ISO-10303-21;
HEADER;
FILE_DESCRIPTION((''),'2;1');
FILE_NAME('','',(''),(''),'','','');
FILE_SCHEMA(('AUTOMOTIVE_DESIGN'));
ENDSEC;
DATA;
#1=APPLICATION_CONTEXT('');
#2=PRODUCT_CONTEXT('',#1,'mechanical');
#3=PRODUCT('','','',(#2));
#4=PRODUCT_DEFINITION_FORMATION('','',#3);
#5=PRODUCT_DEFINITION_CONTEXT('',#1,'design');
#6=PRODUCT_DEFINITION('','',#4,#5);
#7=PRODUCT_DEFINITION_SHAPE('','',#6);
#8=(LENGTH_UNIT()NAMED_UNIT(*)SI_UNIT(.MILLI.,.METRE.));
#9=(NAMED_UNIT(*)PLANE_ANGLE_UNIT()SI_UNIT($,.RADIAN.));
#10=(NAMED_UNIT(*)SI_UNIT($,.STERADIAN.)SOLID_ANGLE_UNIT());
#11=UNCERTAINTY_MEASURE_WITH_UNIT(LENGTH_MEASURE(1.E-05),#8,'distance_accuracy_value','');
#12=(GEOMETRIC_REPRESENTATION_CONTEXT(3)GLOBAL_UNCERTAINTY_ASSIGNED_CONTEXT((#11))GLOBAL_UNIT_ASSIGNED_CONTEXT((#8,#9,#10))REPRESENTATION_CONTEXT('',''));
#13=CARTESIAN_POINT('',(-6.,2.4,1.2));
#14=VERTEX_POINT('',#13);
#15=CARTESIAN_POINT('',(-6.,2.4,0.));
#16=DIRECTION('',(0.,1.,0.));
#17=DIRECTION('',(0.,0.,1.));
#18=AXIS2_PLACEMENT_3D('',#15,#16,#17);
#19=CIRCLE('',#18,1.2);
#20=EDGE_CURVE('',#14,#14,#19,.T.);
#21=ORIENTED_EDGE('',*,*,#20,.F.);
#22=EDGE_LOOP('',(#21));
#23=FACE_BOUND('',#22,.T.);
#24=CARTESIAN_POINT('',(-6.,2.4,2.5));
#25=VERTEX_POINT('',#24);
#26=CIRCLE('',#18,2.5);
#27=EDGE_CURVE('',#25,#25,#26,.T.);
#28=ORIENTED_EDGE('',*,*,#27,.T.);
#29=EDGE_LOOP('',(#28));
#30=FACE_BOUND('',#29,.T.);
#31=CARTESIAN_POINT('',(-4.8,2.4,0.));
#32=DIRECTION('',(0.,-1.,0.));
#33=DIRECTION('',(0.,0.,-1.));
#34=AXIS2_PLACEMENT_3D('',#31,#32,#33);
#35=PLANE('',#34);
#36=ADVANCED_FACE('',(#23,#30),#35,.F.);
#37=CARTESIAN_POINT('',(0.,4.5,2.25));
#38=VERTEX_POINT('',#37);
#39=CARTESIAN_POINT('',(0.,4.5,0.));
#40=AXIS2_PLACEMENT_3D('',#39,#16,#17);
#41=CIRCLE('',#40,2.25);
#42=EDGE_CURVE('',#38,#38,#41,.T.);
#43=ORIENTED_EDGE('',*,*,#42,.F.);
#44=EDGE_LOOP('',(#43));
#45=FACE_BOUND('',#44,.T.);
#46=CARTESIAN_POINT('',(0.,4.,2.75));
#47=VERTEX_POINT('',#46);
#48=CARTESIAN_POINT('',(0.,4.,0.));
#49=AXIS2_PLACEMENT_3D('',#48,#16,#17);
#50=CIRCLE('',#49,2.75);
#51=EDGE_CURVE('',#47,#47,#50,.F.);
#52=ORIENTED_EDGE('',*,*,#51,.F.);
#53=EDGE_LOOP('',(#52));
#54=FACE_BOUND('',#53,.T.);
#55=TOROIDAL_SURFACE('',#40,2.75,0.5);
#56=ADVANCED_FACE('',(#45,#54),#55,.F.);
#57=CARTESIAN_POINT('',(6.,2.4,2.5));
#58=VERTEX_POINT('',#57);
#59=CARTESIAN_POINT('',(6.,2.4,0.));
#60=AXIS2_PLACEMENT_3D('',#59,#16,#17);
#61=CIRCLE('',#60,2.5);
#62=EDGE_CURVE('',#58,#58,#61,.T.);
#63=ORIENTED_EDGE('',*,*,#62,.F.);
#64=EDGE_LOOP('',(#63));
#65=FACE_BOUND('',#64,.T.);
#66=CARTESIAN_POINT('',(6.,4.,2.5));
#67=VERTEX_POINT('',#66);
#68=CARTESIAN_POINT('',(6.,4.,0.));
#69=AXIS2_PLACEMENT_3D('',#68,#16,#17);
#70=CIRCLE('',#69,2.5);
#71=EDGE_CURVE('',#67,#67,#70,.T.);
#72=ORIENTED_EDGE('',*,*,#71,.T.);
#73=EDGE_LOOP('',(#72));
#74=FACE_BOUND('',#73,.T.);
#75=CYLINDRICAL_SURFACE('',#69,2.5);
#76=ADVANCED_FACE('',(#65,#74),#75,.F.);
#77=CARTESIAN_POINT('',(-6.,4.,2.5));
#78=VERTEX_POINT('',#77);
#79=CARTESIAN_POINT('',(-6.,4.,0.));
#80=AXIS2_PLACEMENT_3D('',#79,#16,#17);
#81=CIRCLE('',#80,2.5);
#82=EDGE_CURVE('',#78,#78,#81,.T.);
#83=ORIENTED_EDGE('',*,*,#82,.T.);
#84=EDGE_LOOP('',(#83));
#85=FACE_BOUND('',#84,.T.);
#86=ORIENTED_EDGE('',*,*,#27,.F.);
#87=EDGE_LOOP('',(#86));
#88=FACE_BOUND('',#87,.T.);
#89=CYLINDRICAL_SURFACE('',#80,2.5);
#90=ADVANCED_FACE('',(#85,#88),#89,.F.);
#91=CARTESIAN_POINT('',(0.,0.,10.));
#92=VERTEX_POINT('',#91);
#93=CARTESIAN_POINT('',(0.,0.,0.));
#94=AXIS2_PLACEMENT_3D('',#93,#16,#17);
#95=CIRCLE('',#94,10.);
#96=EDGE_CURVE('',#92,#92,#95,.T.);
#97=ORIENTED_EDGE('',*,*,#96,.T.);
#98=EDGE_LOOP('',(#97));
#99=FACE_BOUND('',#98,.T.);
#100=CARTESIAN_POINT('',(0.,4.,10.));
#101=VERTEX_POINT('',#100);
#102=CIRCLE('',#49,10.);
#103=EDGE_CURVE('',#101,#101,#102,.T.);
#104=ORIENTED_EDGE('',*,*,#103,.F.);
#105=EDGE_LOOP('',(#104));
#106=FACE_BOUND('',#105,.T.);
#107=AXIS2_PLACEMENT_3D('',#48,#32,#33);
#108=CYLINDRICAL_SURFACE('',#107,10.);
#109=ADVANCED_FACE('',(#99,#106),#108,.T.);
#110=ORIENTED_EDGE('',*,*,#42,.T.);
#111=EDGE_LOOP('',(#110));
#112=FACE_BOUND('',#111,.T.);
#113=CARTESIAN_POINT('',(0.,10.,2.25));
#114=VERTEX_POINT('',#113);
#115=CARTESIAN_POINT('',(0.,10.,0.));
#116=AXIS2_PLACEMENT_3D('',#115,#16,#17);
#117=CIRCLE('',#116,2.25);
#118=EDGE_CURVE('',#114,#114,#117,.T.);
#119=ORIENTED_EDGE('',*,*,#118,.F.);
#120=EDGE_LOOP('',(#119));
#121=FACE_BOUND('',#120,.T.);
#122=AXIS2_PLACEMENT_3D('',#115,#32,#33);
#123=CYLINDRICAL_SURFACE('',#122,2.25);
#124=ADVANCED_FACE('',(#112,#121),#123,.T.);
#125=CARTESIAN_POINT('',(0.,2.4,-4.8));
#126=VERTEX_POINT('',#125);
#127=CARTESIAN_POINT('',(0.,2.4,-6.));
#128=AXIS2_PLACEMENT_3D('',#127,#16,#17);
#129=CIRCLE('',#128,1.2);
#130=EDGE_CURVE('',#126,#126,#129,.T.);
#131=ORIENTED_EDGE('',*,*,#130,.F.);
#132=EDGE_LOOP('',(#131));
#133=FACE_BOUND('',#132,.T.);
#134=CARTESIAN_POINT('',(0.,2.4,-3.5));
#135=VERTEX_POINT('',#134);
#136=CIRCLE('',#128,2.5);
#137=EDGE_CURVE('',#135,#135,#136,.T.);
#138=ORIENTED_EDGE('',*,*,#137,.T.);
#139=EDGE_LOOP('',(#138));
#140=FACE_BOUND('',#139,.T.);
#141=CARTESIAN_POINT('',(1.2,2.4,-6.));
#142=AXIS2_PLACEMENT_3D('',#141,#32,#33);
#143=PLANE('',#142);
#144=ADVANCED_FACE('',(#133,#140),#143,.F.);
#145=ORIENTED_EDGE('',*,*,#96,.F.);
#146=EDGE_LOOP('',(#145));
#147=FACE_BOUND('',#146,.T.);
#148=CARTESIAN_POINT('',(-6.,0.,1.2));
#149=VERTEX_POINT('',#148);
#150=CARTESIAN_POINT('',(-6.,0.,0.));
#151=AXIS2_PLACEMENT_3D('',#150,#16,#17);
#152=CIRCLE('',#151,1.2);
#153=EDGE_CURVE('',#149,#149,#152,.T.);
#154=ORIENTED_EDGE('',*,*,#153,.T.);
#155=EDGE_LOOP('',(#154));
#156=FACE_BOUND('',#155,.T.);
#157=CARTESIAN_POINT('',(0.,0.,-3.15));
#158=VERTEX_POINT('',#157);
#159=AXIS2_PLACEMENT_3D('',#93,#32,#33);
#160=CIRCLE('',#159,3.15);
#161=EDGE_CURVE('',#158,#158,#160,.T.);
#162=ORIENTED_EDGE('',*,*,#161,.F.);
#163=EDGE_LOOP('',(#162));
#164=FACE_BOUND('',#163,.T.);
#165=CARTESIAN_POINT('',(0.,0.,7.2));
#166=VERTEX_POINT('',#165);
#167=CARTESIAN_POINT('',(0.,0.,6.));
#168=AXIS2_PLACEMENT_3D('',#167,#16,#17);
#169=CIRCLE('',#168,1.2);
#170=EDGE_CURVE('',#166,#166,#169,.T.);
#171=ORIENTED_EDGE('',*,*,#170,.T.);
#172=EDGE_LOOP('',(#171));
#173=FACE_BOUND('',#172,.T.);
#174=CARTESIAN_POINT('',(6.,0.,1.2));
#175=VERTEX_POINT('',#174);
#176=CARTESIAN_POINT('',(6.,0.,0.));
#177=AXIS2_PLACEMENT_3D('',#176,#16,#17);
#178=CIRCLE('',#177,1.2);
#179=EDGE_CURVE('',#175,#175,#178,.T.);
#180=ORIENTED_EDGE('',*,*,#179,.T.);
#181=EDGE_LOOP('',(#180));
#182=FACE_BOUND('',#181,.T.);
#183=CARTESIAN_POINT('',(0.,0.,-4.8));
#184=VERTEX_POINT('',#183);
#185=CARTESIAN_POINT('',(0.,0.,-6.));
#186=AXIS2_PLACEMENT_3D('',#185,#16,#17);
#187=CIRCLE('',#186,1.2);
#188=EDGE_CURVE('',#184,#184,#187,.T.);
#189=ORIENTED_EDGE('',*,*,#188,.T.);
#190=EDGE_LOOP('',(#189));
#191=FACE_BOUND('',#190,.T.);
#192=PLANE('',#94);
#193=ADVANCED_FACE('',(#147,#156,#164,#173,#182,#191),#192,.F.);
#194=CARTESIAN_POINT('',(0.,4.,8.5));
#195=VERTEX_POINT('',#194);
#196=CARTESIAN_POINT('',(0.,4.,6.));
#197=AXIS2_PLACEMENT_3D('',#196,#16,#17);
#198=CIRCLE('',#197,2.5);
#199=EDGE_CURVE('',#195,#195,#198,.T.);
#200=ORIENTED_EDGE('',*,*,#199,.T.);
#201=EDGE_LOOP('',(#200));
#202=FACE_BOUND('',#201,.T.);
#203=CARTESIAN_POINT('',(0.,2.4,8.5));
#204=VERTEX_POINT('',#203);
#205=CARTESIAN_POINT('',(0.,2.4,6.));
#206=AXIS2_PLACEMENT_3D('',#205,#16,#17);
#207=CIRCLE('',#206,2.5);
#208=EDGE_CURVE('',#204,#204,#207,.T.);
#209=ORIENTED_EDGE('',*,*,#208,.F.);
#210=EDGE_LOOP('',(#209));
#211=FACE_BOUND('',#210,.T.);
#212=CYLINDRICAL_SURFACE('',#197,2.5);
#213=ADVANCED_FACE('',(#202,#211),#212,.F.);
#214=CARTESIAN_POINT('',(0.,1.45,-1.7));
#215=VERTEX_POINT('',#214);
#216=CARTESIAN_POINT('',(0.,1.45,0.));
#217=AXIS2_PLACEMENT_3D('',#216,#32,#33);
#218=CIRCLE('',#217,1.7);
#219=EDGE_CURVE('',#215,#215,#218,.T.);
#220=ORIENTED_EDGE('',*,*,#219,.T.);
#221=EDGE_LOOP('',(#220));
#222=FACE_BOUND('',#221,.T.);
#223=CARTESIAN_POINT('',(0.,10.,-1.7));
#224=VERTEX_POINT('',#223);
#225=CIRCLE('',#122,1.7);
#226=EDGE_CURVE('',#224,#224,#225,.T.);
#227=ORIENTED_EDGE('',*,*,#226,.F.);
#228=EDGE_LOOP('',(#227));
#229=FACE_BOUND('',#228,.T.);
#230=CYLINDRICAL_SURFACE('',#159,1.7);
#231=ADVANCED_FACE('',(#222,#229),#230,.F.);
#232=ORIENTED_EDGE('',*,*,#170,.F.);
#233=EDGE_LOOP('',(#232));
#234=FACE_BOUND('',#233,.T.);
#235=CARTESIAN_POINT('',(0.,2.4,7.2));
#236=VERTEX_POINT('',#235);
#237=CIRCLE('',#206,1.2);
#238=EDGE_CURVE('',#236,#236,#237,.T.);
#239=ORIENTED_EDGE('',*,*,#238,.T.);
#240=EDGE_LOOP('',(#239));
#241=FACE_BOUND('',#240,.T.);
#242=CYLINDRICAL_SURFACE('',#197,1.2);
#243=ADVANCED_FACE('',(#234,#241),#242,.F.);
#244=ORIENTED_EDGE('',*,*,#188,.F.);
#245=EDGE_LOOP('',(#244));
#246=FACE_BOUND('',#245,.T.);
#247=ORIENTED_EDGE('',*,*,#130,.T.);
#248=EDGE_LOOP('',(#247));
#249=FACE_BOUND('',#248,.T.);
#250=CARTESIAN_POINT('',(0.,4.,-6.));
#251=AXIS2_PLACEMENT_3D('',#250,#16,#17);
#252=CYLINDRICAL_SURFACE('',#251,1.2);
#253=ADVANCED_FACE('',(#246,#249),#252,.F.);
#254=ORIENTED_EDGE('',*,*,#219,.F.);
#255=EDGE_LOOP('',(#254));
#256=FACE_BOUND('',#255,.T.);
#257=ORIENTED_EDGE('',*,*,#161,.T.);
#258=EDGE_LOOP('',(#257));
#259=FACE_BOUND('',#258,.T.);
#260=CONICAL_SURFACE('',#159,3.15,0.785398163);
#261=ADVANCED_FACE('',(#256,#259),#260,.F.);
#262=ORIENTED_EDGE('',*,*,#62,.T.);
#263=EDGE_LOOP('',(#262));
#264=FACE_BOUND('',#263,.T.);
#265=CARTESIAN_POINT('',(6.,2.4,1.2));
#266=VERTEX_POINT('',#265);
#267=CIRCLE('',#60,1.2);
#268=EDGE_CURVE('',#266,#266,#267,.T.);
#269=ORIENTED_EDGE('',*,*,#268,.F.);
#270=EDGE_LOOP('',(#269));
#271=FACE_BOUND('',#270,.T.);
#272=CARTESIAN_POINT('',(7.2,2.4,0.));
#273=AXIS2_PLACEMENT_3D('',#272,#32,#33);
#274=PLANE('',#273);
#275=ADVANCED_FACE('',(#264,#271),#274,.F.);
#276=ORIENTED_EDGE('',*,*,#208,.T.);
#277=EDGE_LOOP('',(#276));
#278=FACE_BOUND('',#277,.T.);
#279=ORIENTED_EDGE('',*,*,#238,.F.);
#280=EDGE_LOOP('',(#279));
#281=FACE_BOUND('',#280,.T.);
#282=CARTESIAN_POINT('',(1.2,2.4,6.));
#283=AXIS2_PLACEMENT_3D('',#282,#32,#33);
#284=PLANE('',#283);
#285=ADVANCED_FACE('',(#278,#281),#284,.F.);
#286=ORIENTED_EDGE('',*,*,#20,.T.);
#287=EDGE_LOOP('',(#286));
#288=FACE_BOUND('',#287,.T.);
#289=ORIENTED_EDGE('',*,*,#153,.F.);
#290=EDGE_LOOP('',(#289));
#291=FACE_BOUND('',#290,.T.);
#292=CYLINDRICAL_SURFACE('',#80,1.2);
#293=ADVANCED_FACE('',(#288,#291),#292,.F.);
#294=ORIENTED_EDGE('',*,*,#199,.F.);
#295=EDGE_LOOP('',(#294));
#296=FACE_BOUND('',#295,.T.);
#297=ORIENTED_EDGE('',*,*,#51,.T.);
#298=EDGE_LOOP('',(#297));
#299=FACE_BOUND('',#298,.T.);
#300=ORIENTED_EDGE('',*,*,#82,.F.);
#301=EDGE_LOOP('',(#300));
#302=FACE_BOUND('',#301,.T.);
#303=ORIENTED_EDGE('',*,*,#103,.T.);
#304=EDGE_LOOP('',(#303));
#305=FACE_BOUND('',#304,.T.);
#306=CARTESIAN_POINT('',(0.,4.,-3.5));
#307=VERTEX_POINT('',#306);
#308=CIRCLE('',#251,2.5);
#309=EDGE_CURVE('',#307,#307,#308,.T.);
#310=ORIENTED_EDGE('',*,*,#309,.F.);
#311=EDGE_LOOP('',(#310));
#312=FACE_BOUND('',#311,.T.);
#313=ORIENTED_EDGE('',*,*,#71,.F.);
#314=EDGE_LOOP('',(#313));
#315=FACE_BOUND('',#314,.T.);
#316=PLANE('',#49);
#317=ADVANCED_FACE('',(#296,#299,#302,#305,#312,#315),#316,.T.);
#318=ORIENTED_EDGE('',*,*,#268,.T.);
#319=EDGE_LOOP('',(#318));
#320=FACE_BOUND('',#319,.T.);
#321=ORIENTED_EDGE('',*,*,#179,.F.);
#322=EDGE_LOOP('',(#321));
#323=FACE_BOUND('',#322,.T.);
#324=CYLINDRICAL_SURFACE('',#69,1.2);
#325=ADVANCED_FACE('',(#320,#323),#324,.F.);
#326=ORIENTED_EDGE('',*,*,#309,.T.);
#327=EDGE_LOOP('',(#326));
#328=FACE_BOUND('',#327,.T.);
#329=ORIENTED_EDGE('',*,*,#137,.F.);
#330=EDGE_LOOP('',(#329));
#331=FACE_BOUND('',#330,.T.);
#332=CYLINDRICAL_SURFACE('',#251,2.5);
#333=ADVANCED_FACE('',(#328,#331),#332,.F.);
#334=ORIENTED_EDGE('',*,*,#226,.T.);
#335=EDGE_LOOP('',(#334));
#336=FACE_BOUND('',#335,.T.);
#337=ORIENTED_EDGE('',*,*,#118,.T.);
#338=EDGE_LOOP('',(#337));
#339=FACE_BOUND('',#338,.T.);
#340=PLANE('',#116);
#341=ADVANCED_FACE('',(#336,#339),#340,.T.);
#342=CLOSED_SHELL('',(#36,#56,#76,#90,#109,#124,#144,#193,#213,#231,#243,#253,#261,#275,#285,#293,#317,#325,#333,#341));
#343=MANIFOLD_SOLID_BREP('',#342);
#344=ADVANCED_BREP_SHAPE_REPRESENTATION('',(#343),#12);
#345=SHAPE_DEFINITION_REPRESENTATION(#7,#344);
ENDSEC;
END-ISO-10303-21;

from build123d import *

# Parameters (mm, degrees)
SKETCH1_R                                           = 10
BOSS_EXTRUDE1_DEPTH                                 = 4
CBORE_FOR_M2_PAN_HEAD_SCREW1_D                      = 2.4
CBORE_FOR_M2_PAN_HEAD_SCREW1_CBORE_D                = 5
CBORE_FOR_M2_PAN_HEAD_SCREW1_CBORE_DEPTH            = 1.6
SKETCH4_R                                           = 2.25
BOSS_EXTRUDE2_DEPTH                                 = 6
CIRPATTERN1_COUNT                                   = 4
CSK_FOR_M3_COUNTERSUNK_FLAT_HEAD_SCREW1_D           = 3.4
CSK_FOR_M3_COUNTERSUNK_FLAT_HEAD_SCREW1_CSINK_D     = 6.3
CSK_FOR_M3_COUNTERSUNK_FLAT_HEAD_SCREW1_CSINK_ANGLE = 90
FILLET1_R                                           = 0.5


with BuildPart() as part:
    # Sketch1 → Boss-Extrude1 (new body)
    with BuildSketch(Plane(origin=(0, 0, 0), x_dir=(1, 0, 0), z_dir=(0, 1, 0))):
        with Locations(Location((0, 0, 0), (0, 0, 270))):
            Circle(SKETCH1_R)
    extrude(amount=BOSS_EXTRUDE1_DEPTH)

    # CBORE for M2 Pan Head Screw1 (through all)
    with Locations(Plane(origin=(0, 4, 0), x_dir=(1, 0, 0), z_dir=(0, 1, 0))):
        with Locations((6, 0)):
            cbore_for_m2_pan_head_screw1 = CounterBoreHole(CBORE_FOR_M2_PAN_HEAD_SCREW1_D / 2, CBORE_FOR_M2_PAN_HEAD_SCREW1_CBORE_D / 2, CBORE_FOR_M2_PAN_HEAD_SCREW1_CBORE_DEPTH)

    # Sketch4 → Boss-Extrude2 (add)
    with BuildSketch(Plane(origin=(0, 4, 0), x_dir=(1, 0, 0), z_dir=(0, 1, 0))):
        with Locations(Location((0, 0, 0), (0, 0, 270))):
            Circle(SKETCH4_R)
    extrude(amount=BOSS_EXTRUDE2_DEPTH)

    # CirPattern1: CBORE for M2 Pan Head Screw1 ×4 about axis
    cirpattern1_axis = Axis((0, 0, 0), (0, 1, 0))
    for i in range(1, CIRPATTERN1_COUNT):
        add(cbore_for_m2_pan_head_screw1.rotate(cirpattern1_axis, i * 360 / CIRPATTERN1_COUNT), mode=Mode.SUBTRACT)

    # CSK for M3 Countersunk Flat Head Screw1 (through all)
    with Locations(Plane.XZ):
        with Locations((0, 0)):
            CounterSinkHole(CSK_FOR_M3_COUNTERSUNK_FLAT_HEAD_SCREW1_D / 2, CSK_FOR_M3_COUNTERSUNK_FLAT_HEAD_SCREW1_CSINK_D / 2, counter_sink_angle=CSK_FOR_M3_COUNTERSUNK_FLAT_HEAD_SCREW1_CSINK_ANGLE)

    # Fillet1
    fillet1_edges = [part.edges().sort_by_distance(p)[0] for p in [
        (0, 4, -2.25),
    ]]
    fillet(fillet1_edges, radius=FILLET1_R)


solid = part.part
